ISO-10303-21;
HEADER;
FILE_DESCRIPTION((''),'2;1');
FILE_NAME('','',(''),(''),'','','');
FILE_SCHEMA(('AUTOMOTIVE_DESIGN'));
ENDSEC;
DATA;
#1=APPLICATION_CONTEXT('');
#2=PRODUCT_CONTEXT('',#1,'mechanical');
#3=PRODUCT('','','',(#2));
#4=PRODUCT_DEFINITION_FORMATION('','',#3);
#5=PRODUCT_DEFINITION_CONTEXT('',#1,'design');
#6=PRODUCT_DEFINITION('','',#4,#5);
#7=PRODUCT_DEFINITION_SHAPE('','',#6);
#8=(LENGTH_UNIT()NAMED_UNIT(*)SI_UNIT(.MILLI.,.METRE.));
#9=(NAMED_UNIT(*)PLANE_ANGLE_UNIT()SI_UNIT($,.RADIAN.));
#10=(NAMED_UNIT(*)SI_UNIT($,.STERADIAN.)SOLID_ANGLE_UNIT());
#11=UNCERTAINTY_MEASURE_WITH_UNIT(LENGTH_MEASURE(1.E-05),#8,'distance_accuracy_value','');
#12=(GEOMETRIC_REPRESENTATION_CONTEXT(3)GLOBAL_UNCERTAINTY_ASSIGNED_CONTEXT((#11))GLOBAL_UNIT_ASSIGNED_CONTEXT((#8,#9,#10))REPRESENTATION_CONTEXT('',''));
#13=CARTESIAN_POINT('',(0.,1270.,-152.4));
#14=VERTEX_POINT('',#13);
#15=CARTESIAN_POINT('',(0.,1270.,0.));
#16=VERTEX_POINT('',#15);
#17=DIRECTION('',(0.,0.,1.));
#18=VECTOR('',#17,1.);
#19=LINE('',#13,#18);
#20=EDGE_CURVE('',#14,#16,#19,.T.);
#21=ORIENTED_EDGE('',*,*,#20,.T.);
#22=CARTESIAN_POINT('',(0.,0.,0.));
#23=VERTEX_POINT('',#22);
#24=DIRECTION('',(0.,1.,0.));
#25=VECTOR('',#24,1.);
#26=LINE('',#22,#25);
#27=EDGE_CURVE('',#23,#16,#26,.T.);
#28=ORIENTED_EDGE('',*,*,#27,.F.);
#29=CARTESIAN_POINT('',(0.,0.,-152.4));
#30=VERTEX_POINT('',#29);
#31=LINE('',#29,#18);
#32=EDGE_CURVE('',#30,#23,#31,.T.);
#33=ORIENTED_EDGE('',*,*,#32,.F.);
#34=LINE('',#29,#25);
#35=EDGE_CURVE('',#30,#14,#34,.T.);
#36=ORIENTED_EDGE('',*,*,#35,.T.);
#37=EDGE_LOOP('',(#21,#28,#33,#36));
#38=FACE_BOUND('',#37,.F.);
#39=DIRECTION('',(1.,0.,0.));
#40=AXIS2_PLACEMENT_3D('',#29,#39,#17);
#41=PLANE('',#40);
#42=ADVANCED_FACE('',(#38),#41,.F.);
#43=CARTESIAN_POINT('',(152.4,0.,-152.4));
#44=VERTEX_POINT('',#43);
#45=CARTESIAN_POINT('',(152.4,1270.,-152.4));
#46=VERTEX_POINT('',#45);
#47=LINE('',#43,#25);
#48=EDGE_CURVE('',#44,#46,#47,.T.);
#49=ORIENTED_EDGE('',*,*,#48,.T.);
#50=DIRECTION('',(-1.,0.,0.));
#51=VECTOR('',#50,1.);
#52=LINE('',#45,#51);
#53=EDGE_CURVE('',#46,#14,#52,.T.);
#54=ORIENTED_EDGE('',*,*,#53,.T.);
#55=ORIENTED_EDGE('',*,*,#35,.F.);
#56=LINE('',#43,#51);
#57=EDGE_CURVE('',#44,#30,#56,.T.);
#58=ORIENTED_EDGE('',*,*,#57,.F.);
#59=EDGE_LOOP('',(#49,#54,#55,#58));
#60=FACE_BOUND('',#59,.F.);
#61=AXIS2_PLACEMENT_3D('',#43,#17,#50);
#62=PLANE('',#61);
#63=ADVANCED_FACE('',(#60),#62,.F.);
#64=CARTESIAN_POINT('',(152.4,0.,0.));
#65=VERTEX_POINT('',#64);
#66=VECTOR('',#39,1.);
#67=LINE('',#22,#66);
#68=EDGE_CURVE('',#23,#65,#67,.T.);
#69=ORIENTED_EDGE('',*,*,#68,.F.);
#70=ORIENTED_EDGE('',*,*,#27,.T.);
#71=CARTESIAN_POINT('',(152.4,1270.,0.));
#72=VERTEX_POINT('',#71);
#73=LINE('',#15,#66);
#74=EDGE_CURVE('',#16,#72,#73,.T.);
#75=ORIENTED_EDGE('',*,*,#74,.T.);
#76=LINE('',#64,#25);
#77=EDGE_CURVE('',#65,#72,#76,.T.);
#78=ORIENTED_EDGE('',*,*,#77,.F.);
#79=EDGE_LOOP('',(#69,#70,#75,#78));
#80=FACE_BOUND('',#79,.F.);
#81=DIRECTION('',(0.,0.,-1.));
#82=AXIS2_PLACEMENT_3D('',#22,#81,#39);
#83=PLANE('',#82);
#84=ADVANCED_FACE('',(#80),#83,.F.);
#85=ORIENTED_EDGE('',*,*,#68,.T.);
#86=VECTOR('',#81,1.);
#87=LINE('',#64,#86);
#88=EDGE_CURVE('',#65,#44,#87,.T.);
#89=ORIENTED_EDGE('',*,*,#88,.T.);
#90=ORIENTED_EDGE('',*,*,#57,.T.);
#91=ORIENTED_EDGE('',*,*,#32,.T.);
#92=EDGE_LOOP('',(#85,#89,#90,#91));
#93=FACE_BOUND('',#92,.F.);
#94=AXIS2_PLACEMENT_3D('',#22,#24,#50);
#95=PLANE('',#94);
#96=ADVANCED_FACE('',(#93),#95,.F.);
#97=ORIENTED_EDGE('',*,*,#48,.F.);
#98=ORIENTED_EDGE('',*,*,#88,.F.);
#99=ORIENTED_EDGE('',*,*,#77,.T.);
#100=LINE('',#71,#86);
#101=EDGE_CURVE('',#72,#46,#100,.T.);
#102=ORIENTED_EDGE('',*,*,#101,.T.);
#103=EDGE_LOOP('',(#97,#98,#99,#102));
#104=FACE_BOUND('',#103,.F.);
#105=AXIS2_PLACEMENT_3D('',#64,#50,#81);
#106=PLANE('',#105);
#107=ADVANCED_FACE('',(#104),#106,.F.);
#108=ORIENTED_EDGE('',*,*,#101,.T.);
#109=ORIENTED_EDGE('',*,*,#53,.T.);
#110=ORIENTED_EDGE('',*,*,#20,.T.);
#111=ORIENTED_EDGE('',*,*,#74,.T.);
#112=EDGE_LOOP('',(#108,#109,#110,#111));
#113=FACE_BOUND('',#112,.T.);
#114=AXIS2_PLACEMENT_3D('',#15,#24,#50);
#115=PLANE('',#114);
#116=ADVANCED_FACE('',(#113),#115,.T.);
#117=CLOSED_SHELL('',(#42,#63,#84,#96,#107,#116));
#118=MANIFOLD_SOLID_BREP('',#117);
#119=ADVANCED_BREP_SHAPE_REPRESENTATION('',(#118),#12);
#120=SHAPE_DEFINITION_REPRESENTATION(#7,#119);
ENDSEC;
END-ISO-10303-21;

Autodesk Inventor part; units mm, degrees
ref_plane "YZ Plane" through (0, 0, 0) normal (1, 0, 0) x (0, 1, 0)
ref_plane "XZ Plane" through (0, 0, 0) normal (0, 1, 0) x (-1, 0, 0)
ref_plane "XY Plane" through (0, 0, 0) normal (0, 0, 1) x (1, 0, 0)
sketch "Sketch1" plane through (0, 0, 0) normal (0, 1, 0) x (-1, 0, 0)
  line L0 (0, 0) -> (-152.4, 0)
  line L1 (-152.4, 0) -> (-152.4, -152.4)
  line L2 (-152.4, -152.4) -> (0, -152.4)
  line L3 (0, -152.4) -> (0, 0)
  dimension "d0" = 152.4
extrude "Extrusion1" add sketch "Sketch1" along normal blind 1270
properties part number "Left Support" material "Wood (Birch)"
